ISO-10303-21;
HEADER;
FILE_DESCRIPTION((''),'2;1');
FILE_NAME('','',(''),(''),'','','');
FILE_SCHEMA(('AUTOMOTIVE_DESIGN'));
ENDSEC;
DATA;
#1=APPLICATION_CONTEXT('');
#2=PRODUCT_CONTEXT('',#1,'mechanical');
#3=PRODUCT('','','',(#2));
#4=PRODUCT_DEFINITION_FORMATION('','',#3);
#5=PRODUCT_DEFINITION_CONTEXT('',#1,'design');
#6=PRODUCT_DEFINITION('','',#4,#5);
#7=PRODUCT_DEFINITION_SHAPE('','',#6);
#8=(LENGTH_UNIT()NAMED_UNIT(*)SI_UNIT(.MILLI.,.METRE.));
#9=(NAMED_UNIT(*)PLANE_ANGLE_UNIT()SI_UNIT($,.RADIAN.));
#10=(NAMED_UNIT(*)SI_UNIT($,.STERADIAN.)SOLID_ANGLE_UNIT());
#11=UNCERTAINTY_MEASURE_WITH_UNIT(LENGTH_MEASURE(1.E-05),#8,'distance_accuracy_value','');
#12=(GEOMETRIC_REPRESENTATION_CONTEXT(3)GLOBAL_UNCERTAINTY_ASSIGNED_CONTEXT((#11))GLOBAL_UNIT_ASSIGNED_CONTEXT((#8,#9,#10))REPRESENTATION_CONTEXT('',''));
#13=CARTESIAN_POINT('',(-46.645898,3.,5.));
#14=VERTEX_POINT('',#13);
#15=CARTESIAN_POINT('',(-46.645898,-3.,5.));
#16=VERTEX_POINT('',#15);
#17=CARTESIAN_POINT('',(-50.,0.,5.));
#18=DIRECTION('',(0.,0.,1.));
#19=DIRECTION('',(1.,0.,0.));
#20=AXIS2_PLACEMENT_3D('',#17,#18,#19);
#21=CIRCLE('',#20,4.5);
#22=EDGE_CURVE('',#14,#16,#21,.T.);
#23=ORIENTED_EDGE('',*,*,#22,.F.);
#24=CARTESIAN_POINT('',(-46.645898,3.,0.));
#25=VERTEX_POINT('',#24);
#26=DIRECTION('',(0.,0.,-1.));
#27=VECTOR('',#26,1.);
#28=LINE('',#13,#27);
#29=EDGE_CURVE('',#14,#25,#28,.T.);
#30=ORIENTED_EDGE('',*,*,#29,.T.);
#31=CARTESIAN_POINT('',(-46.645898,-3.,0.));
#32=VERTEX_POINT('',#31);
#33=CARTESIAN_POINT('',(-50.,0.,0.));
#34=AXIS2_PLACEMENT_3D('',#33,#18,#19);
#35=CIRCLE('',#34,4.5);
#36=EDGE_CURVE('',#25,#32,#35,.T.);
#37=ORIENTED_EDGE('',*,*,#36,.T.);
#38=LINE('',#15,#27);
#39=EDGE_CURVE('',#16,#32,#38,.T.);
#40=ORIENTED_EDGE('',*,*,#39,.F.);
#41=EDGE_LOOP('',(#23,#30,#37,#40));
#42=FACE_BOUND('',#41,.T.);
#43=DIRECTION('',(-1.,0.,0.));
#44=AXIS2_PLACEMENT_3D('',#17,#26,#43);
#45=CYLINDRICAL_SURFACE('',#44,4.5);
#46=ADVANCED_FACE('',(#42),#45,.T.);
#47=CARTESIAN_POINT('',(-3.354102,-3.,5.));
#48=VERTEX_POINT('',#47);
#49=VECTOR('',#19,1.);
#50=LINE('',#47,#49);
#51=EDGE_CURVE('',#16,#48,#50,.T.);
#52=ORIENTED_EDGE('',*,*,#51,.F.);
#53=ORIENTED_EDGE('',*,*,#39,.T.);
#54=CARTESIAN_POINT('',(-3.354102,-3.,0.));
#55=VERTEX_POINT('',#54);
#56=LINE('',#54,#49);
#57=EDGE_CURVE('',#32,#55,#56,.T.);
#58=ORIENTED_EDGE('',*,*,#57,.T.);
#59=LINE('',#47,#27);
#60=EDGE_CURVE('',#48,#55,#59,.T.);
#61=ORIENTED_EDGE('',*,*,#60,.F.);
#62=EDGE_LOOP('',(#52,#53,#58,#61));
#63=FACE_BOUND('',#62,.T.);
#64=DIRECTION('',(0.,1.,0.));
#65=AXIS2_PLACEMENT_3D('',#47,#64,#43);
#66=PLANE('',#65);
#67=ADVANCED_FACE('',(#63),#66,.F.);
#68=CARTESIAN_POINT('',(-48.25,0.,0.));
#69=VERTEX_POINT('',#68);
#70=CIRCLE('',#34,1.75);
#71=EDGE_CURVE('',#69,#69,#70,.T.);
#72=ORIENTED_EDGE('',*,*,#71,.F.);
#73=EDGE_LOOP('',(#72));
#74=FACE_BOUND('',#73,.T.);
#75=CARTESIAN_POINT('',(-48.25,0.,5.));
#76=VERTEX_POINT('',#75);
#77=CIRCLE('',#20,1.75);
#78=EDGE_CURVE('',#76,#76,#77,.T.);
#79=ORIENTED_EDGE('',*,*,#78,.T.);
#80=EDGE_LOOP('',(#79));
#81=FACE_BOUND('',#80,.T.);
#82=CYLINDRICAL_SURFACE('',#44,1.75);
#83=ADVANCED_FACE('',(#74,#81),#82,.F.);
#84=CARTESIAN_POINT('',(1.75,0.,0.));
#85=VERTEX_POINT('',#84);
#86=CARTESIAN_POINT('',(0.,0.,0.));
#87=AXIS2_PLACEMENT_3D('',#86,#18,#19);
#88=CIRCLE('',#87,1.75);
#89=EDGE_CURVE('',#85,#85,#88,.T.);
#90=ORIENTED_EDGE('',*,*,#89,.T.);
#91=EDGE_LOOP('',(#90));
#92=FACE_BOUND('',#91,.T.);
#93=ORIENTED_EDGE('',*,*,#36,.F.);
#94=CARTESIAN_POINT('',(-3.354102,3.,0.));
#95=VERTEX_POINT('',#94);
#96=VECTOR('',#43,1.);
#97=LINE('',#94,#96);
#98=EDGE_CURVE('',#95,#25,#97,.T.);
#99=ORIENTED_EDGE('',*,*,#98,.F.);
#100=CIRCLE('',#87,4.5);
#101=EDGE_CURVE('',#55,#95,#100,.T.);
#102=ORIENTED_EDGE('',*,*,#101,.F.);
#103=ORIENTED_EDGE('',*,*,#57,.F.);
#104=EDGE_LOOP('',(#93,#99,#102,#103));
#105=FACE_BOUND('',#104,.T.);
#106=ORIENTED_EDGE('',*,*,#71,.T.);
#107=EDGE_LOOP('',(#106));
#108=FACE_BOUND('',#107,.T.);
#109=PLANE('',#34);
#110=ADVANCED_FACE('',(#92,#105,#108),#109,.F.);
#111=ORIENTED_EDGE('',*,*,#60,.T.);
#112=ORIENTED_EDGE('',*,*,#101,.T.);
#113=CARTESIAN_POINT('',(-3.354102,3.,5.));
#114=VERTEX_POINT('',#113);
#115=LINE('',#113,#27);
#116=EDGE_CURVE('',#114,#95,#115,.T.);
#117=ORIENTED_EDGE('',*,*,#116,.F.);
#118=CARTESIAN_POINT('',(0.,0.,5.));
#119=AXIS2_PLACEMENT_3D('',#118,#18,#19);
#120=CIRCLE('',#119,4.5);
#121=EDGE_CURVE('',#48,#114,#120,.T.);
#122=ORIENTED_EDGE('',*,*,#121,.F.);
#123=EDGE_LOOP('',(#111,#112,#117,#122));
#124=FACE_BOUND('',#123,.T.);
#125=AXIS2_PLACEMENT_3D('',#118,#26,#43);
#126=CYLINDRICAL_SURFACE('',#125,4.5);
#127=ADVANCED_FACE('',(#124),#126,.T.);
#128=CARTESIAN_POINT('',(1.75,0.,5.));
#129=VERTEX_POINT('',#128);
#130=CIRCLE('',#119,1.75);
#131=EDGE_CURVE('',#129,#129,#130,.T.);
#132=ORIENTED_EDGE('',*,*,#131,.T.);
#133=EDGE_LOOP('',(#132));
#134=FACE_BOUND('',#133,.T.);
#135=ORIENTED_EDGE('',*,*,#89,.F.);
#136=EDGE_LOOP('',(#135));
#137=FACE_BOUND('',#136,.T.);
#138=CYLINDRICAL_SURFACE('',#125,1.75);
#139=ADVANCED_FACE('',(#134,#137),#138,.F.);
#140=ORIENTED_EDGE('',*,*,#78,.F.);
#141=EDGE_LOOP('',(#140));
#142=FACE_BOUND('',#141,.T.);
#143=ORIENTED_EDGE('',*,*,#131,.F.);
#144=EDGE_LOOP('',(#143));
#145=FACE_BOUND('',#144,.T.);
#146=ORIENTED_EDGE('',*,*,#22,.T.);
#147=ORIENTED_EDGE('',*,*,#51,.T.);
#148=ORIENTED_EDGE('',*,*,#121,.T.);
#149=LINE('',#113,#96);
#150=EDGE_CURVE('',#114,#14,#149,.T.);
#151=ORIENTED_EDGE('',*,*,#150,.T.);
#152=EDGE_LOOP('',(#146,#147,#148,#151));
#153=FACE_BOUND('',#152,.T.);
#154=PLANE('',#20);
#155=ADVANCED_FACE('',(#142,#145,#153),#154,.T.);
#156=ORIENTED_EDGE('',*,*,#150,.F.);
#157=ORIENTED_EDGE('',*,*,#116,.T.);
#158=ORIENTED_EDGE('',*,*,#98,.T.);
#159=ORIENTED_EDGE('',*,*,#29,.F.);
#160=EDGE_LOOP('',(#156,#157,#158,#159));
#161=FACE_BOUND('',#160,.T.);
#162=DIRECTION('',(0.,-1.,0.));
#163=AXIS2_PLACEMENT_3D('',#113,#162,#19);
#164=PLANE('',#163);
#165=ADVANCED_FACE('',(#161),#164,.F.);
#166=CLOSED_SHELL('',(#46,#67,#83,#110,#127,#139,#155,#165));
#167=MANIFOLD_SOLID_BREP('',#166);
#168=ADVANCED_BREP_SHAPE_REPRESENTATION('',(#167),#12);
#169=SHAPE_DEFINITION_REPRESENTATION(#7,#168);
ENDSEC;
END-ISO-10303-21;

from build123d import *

# Parameters (mm, degrees)
ESBO_O1_R                = 1.75
RESSALTO_EXTRUS_O1_DEPTH = 5


with BuildPart() as part:
    # Esboço1 → Ressalto-extrusão1 (new body)
    with BuildSketch(Plane.XY):
        with BuildLine():
            Line((-3.354101966, 3), (-46.645898034, 3))
            ThreePointArc((-46.645898034, 3), (-54.5, 0), (-46.645898034, -3))
            Line((-46.645898034, -3), (-3.354101966, -3))
            ThreePointArc((-3.354101966, -3), (4.5, 0), (-3.354101966, 3))
        make_face()
        Circle(ESBO_O1_R, mode=Mode.SUBTRACT)
        with Locations((-50, 0)):
            Circle(ESBO_O1_R, mode=Mode.SUBTRACT)
    extrude(amount=RESSALTO_EXTRUS_O1_DEPTH)


solid = part.part
